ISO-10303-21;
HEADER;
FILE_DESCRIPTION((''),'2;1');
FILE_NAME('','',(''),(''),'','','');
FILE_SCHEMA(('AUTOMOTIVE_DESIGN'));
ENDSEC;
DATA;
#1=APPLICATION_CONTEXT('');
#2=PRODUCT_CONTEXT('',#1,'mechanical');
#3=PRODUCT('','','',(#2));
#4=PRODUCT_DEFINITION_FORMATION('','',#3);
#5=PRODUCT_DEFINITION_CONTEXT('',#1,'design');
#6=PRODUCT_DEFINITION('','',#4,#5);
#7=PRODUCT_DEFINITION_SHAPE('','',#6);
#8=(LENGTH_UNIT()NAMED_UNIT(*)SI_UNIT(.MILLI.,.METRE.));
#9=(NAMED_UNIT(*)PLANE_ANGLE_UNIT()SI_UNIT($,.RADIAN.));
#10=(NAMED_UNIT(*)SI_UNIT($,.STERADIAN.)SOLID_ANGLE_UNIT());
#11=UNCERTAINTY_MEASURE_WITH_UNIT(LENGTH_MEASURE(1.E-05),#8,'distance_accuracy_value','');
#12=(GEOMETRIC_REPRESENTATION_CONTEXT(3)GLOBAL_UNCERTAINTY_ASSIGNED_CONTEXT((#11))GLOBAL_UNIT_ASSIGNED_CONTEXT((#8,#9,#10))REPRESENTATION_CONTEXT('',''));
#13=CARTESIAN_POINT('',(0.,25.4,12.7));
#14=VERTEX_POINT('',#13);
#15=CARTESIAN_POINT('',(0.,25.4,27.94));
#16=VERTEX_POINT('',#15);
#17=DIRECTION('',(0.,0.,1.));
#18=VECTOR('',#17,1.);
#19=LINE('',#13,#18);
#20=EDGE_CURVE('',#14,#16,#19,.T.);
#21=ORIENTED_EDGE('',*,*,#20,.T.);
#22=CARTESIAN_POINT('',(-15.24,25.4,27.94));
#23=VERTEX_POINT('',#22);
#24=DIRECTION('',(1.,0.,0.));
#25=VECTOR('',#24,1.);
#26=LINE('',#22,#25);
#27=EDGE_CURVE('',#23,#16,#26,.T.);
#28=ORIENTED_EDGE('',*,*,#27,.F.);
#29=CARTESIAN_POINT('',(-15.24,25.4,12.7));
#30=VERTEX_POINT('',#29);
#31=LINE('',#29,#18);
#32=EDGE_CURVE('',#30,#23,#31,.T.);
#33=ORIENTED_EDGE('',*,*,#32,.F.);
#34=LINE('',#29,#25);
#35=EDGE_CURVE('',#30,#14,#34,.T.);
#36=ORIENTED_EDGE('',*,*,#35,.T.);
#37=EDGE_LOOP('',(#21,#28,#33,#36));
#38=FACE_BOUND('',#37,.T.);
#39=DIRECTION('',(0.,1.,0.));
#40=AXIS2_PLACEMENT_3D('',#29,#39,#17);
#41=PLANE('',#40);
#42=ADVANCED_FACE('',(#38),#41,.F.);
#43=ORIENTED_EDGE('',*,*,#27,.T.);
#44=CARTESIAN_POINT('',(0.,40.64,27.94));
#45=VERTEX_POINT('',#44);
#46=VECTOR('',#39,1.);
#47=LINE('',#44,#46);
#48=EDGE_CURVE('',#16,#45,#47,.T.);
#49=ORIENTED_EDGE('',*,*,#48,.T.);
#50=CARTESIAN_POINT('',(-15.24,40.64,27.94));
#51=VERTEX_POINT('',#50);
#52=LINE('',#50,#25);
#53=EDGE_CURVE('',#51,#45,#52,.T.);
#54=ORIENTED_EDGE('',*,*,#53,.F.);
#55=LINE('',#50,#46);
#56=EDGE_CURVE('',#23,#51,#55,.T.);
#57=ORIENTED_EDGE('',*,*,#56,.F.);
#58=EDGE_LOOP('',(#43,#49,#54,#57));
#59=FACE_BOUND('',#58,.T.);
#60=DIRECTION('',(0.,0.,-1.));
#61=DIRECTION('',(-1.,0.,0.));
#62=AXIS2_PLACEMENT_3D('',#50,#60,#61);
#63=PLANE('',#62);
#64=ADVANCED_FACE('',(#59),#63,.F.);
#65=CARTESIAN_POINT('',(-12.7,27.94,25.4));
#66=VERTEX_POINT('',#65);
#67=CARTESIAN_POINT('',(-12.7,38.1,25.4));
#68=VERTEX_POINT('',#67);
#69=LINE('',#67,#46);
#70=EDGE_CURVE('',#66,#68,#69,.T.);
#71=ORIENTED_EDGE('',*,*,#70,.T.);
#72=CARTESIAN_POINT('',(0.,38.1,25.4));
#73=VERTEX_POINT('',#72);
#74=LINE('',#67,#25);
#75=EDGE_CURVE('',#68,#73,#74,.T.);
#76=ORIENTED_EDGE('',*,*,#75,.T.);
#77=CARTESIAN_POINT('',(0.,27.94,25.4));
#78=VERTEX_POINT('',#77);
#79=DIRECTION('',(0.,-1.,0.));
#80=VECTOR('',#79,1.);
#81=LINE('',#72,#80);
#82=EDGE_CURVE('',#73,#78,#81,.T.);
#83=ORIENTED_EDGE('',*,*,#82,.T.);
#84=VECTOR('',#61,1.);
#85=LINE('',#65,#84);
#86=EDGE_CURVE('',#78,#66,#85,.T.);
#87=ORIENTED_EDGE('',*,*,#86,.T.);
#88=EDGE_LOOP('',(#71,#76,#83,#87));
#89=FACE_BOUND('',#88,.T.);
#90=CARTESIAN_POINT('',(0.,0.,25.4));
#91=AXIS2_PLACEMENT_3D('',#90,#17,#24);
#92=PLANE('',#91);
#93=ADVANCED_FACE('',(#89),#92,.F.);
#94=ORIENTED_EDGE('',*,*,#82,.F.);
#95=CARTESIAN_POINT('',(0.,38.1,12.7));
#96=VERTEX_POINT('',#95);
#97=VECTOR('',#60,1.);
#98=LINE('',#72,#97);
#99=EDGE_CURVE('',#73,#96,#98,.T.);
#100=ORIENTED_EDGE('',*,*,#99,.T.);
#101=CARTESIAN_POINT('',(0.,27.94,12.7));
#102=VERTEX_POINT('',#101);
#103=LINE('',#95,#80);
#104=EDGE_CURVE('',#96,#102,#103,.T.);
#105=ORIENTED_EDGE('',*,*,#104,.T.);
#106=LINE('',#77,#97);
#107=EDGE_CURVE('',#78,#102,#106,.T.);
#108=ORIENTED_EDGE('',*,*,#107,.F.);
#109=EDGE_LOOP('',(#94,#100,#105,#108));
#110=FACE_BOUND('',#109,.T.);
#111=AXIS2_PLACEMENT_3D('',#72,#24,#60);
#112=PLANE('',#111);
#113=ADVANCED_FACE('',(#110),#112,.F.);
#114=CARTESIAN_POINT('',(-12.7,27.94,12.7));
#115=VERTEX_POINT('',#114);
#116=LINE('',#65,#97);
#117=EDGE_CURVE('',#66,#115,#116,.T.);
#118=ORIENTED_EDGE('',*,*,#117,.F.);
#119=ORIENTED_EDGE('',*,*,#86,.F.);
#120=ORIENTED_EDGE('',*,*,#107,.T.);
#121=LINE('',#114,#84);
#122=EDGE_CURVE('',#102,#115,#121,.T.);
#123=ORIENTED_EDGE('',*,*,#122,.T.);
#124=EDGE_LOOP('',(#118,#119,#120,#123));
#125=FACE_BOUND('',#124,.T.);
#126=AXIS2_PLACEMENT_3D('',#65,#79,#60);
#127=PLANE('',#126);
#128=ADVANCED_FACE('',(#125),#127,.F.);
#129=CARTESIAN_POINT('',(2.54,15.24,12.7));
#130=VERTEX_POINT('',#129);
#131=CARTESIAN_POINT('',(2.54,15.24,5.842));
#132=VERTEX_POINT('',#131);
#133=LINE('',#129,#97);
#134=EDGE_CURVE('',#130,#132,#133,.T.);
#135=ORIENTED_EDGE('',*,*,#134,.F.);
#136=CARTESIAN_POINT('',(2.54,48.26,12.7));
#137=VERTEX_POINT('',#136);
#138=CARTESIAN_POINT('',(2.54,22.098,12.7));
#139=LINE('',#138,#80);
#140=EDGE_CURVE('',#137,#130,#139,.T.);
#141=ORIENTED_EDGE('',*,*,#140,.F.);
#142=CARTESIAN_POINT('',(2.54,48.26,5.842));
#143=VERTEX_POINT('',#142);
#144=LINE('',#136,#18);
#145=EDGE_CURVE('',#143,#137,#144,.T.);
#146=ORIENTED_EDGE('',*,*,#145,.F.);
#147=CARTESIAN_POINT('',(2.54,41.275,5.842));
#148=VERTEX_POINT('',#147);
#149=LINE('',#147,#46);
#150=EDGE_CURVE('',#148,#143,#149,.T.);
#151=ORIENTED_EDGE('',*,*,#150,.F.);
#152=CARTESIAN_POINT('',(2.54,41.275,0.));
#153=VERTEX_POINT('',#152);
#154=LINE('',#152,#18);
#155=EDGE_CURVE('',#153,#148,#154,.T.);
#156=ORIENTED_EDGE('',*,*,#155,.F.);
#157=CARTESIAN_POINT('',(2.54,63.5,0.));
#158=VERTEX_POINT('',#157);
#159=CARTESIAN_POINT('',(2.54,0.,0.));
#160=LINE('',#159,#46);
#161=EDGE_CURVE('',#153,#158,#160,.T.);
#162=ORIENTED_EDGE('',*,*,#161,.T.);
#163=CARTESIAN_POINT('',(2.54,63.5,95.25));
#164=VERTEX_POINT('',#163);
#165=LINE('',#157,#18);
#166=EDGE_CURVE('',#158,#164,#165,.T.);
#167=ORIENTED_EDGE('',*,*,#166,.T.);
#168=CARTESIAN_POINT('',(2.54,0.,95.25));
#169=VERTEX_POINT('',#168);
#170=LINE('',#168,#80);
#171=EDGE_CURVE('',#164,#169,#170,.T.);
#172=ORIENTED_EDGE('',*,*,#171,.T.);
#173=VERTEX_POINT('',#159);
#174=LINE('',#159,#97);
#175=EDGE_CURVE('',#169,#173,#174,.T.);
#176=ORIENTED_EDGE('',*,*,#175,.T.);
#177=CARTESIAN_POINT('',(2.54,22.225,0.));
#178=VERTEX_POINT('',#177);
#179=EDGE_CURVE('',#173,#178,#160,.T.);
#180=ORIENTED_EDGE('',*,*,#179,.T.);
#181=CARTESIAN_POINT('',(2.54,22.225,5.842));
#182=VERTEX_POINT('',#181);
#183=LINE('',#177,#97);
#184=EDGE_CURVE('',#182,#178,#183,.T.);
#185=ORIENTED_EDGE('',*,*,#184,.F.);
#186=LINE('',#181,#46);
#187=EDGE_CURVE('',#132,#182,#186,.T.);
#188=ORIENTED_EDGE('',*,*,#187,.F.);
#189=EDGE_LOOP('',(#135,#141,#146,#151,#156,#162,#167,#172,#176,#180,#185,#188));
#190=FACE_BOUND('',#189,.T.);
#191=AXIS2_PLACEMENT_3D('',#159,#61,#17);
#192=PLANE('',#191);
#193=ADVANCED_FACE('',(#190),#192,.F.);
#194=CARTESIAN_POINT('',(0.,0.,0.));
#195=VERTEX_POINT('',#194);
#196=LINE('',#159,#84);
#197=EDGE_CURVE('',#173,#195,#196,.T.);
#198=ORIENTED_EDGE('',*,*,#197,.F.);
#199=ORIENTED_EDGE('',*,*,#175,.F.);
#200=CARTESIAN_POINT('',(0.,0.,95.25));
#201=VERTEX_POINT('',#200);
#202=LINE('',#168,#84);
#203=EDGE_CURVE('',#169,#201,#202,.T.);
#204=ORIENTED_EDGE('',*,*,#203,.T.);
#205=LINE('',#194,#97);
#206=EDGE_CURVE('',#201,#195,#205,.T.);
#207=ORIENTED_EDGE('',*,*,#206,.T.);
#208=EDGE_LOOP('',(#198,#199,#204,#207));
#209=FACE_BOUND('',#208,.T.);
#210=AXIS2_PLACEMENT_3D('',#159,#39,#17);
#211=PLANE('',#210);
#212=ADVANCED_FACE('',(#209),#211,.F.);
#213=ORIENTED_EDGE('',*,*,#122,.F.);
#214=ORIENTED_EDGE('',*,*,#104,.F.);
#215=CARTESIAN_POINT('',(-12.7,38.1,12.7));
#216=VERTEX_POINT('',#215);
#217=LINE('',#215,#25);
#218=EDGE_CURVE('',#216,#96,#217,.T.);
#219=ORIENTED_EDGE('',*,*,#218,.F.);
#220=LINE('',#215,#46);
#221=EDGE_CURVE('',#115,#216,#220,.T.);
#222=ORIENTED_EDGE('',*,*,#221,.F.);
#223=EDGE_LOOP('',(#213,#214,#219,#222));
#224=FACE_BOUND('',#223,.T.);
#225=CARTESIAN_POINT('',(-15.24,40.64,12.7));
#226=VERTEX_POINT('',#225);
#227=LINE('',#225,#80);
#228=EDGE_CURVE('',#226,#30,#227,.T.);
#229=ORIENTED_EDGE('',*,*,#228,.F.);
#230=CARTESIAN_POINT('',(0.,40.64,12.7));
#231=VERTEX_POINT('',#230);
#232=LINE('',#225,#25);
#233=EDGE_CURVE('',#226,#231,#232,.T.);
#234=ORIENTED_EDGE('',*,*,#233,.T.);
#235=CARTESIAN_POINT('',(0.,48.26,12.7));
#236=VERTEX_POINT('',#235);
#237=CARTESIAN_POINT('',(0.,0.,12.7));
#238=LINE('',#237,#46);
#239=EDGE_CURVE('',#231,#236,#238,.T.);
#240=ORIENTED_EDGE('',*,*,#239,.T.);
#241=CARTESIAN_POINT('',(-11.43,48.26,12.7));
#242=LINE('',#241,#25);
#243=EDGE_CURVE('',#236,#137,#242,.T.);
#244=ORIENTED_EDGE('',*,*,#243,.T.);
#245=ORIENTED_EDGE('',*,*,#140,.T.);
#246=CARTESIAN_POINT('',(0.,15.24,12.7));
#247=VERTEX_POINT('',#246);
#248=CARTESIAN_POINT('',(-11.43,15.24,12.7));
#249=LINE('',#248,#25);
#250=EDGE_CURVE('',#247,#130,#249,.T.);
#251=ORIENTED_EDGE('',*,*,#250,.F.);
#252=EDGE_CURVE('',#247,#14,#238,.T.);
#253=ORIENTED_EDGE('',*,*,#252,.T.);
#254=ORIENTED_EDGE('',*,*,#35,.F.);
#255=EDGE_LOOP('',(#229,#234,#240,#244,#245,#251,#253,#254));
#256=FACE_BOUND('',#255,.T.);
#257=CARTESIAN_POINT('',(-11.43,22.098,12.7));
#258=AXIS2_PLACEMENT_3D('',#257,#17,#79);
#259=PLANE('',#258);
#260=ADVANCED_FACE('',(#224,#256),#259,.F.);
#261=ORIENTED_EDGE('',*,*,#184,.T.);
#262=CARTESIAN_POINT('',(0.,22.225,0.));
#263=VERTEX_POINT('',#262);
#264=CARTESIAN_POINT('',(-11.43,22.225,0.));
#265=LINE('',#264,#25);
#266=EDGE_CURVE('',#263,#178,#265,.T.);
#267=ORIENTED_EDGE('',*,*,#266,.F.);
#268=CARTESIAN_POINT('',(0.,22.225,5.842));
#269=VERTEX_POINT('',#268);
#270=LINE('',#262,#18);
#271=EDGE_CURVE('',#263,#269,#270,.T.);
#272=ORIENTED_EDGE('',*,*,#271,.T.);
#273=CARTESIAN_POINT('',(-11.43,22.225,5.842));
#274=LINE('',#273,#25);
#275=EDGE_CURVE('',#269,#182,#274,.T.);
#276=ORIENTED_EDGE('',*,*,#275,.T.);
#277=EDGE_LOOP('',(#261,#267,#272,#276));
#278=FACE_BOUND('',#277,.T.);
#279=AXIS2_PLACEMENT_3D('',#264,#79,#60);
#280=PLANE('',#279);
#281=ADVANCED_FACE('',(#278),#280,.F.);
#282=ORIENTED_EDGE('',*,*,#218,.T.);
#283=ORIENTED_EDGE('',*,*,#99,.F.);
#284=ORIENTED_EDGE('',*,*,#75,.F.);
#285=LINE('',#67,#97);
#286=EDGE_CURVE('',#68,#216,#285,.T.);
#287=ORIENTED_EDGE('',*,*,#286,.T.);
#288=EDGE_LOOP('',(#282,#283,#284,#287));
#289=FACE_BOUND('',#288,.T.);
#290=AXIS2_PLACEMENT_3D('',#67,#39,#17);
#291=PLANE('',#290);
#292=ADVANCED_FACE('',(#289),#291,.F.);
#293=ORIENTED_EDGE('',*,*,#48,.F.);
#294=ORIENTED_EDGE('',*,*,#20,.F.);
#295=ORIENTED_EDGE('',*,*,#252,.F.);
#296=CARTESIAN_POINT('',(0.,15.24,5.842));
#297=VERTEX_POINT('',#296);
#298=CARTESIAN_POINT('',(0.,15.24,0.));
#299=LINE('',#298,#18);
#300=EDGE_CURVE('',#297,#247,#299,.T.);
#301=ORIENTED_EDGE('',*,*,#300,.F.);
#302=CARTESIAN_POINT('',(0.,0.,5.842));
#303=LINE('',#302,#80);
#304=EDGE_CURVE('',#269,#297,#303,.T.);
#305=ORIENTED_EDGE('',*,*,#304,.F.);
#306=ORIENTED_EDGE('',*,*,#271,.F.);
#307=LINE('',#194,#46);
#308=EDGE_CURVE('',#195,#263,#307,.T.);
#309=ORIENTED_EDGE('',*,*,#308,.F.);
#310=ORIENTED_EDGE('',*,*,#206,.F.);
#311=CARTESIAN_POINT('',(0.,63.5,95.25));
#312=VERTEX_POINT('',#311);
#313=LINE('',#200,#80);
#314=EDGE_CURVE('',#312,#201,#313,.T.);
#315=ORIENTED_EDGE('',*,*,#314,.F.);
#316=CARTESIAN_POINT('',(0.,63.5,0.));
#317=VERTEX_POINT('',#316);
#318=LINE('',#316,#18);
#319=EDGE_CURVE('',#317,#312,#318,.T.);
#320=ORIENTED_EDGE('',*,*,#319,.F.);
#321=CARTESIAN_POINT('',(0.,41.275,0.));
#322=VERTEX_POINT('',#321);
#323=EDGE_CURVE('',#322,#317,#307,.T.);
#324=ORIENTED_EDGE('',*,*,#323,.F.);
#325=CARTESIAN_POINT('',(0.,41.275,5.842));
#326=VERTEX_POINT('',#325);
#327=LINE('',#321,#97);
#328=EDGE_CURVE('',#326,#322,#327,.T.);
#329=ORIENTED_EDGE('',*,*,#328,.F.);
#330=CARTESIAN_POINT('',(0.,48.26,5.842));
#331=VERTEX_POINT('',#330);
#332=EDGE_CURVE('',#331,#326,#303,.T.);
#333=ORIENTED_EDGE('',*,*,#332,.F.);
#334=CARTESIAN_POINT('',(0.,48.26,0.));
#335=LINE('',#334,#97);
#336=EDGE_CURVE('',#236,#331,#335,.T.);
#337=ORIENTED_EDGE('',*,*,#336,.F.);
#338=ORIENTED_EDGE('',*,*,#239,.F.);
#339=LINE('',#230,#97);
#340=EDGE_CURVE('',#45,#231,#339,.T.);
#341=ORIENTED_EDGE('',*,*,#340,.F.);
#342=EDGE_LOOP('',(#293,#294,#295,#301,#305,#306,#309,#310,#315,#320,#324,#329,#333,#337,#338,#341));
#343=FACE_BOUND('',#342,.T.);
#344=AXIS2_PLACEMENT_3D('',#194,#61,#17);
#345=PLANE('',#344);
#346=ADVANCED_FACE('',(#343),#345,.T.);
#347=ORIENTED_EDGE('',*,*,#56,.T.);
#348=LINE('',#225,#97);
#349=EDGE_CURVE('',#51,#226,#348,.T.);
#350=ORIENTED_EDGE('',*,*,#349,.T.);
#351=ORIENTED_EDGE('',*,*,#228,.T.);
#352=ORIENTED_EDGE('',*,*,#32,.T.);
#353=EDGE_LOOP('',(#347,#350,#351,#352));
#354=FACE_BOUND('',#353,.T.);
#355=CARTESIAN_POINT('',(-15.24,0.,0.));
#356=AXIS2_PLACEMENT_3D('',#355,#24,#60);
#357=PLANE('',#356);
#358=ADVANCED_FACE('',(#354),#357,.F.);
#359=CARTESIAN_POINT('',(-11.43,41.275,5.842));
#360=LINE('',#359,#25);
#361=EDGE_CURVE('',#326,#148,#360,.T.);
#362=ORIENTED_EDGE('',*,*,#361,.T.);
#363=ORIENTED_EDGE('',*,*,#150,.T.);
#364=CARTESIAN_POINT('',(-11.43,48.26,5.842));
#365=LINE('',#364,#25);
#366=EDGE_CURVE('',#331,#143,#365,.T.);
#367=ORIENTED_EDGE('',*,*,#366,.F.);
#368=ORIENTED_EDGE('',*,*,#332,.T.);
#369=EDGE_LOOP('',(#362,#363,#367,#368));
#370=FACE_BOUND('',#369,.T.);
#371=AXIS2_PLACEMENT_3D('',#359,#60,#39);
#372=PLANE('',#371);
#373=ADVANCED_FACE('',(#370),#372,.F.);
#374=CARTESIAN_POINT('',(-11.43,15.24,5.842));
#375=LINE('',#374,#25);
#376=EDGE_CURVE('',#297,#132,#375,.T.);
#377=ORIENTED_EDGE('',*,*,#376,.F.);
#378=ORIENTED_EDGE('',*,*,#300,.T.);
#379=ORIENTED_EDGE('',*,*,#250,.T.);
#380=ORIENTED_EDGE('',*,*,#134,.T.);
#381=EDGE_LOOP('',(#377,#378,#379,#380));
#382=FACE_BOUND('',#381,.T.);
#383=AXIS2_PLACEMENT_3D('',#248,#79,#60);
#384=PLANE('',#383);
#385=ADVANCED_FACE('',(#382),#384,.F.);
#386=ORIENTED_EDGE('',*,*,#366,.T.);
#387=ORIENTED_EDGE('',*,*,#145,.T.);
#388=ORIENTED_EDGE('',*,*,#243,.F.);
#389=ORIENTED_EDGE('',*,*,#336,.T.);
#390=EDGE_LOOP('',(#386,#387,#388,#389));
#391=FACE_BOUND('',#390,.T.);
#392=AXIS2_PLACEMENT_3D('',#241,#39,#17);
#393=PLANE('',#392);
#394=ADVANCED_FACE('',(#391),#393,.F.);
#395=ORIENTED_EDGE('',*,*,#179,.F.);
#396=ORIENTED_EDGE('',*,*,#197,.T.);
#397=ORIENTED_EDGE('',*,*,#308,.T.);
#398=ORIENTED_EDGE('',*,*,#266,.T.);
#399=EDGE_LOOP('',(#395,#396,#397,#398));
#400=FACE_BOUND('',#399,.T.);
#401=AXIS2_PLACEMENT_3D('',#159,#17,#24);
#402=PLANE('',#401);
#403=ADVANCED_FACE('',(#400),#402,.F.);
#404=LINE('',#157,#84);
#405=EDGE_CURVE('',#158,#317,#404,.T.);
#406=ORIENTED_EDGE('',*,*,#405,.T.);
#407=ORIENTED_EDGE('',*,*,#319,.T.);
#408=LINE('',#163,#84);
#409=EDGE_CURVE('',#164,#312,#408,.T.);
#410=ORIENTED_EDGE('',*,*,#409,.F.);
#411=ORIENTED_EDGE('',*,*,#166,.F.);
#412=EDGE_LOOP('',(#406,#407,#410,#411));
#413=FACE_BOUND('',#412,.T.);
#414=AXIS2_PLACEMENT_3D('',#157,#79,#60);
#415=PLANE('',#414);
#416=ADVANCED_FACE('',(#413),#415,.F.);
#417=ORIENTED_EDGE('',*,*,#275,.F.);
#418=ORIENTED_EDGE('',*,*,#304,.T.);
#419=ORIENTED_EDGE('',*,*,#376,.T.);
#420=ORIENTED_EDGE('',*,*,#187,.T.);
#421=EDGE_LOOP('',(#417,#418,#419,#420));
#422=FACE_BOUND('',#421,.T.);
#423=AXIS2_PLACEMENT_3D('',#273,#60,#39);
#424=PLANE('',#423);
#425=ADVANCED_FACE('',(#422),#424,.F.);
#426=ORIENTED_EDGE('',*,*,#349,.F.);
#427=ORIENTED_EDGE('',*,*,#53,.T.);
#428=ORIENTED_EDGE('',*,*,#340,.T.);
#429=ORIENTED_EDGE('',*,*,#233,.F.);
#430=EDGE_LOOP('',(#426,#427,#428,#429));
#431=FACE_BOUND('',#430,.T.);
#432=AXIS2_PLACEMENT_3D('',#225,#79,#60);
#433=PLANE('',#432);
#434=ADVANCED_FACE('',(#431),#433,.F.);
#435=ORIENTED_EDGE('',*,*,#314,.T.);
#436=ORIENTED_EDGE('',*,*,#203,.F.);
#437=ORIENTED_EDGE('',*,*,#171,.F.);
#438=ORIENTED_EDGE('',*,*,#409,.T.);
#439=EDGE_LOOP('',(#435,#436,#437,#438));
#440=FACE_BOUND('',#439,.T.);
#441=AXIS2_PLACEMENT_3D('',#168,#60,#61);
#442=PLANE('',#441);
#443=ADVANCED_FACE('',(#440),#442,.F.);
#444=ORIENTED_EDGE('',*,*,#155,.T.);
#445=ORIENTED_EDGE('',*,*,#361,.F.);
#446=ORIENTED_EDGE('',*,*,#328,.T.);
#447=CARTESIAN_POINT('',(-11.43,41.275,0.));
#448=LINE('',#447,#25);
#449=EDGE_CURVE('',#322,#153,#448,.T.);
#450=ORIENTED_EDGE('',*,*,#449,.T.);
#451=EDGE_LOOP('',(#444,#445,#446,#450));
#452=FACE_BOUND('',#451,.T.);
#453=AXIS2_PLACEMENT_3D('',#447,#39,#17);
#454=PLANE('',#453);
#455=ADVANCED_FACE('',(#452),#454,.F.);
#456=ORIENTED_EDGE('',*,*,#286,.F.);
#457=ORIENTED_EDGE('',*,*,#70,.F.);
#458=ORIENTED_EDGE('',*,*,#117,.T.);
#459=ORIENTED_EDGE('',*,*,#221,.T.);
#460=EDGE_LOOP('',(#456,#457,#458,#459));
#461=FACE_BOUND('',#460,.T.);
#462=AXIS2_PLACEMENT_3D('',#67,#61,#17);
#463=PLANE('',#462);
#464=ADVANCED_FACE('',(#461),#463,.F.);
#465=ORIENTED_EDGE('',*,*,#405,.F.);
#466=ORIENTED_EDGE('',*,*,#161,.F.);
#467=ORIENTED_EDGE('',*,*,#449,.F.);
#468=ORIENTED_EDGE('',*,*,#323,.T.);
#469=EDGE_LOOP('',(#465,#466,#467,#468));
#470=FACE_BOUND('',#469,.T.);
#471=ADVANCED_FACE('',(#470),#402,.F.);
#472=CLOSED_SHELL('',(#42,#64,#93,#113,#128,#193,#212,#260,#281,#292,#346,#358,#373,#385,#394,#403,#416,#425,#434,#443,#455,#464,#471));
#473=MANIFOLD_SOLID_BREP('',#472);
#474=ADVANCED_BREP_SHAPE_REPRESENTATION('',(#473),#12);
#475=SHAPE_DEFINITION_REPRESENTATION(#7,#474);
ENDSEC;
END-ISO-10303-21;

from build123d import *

# Parameters (mm, degrees)
SKETCH1_W           = 63.5
SKETCH1_H           = 95.25
BOSS_EXTRUDE1_DEPTH = 2.54
CUT_EXTRUDE1_DEPTH  = 13.97
SKETCH5_W           = 15.24
SKETCH5_H           = 15.24
BOSS_EXTRUDE2_DEPTH = 15.24
SKETCH6_W           = 12.7
SKETCH6_H           = 10.16
CUT_EXTRUDE2_DEPTH  = 12.7


with BuildPart() as part:
    # Sketch1 → Boss-Extrude1 (new body)
    with BuildSketch(Plane.YZ):
        with Locations((31.75, 47.625)):
            Rectangle(SKETCH1_W, SKETCH1_H)
    extrude(amount=BOSS_EXTRUDE1_DEPTH)

    # Sketch4 → Cut-Extrude1 (cut)
    with BuildSketch(Plane.YZ.offset(2.54)):
        Polygon((22.225, 0), (41.275, 0), (41.275, 5.842), (48.26, 5.842), (48.26, 12.7), (41.402, 12.7), (22.098, 12.7), (15.24, 12.7), (15.24, 5.842), (22.225, 5.842), align=None)
    extrude(amount=-CUT_EXTRUDE1_DEPTH, mode=Mode.SUBTRACT)

    # Sketch5 → Boss-Extrude2 (add)
    with BuildSketch(Plane(origin=(0, 0, 0), x_dir=(0, -1, 0), z_dir=(-1, 0, 0))):
        with Locations((-33.02, 20.32)):
            Rectangle(SKETCH5_W, SKETCH5_H)
    extrude(amount=BOSS_EXTRUDE2_DEPTH)

    # Sketch6 → Cut-Extrude2 (cut)
    with BuildSketch(Plane(origin=(0, 0, 12.7), x_dir=(1, 0, 0), z_dir=(0, 0, -1))):
        with Locations((-6.35, -33.02)):
            Rectangle(SKETCH6_W, SKETCH6_H)
    extrude(amount=-CUT_EXTRUDE2_DEPTH, mode=Mode.SUBTRACT)


solid = part.part
